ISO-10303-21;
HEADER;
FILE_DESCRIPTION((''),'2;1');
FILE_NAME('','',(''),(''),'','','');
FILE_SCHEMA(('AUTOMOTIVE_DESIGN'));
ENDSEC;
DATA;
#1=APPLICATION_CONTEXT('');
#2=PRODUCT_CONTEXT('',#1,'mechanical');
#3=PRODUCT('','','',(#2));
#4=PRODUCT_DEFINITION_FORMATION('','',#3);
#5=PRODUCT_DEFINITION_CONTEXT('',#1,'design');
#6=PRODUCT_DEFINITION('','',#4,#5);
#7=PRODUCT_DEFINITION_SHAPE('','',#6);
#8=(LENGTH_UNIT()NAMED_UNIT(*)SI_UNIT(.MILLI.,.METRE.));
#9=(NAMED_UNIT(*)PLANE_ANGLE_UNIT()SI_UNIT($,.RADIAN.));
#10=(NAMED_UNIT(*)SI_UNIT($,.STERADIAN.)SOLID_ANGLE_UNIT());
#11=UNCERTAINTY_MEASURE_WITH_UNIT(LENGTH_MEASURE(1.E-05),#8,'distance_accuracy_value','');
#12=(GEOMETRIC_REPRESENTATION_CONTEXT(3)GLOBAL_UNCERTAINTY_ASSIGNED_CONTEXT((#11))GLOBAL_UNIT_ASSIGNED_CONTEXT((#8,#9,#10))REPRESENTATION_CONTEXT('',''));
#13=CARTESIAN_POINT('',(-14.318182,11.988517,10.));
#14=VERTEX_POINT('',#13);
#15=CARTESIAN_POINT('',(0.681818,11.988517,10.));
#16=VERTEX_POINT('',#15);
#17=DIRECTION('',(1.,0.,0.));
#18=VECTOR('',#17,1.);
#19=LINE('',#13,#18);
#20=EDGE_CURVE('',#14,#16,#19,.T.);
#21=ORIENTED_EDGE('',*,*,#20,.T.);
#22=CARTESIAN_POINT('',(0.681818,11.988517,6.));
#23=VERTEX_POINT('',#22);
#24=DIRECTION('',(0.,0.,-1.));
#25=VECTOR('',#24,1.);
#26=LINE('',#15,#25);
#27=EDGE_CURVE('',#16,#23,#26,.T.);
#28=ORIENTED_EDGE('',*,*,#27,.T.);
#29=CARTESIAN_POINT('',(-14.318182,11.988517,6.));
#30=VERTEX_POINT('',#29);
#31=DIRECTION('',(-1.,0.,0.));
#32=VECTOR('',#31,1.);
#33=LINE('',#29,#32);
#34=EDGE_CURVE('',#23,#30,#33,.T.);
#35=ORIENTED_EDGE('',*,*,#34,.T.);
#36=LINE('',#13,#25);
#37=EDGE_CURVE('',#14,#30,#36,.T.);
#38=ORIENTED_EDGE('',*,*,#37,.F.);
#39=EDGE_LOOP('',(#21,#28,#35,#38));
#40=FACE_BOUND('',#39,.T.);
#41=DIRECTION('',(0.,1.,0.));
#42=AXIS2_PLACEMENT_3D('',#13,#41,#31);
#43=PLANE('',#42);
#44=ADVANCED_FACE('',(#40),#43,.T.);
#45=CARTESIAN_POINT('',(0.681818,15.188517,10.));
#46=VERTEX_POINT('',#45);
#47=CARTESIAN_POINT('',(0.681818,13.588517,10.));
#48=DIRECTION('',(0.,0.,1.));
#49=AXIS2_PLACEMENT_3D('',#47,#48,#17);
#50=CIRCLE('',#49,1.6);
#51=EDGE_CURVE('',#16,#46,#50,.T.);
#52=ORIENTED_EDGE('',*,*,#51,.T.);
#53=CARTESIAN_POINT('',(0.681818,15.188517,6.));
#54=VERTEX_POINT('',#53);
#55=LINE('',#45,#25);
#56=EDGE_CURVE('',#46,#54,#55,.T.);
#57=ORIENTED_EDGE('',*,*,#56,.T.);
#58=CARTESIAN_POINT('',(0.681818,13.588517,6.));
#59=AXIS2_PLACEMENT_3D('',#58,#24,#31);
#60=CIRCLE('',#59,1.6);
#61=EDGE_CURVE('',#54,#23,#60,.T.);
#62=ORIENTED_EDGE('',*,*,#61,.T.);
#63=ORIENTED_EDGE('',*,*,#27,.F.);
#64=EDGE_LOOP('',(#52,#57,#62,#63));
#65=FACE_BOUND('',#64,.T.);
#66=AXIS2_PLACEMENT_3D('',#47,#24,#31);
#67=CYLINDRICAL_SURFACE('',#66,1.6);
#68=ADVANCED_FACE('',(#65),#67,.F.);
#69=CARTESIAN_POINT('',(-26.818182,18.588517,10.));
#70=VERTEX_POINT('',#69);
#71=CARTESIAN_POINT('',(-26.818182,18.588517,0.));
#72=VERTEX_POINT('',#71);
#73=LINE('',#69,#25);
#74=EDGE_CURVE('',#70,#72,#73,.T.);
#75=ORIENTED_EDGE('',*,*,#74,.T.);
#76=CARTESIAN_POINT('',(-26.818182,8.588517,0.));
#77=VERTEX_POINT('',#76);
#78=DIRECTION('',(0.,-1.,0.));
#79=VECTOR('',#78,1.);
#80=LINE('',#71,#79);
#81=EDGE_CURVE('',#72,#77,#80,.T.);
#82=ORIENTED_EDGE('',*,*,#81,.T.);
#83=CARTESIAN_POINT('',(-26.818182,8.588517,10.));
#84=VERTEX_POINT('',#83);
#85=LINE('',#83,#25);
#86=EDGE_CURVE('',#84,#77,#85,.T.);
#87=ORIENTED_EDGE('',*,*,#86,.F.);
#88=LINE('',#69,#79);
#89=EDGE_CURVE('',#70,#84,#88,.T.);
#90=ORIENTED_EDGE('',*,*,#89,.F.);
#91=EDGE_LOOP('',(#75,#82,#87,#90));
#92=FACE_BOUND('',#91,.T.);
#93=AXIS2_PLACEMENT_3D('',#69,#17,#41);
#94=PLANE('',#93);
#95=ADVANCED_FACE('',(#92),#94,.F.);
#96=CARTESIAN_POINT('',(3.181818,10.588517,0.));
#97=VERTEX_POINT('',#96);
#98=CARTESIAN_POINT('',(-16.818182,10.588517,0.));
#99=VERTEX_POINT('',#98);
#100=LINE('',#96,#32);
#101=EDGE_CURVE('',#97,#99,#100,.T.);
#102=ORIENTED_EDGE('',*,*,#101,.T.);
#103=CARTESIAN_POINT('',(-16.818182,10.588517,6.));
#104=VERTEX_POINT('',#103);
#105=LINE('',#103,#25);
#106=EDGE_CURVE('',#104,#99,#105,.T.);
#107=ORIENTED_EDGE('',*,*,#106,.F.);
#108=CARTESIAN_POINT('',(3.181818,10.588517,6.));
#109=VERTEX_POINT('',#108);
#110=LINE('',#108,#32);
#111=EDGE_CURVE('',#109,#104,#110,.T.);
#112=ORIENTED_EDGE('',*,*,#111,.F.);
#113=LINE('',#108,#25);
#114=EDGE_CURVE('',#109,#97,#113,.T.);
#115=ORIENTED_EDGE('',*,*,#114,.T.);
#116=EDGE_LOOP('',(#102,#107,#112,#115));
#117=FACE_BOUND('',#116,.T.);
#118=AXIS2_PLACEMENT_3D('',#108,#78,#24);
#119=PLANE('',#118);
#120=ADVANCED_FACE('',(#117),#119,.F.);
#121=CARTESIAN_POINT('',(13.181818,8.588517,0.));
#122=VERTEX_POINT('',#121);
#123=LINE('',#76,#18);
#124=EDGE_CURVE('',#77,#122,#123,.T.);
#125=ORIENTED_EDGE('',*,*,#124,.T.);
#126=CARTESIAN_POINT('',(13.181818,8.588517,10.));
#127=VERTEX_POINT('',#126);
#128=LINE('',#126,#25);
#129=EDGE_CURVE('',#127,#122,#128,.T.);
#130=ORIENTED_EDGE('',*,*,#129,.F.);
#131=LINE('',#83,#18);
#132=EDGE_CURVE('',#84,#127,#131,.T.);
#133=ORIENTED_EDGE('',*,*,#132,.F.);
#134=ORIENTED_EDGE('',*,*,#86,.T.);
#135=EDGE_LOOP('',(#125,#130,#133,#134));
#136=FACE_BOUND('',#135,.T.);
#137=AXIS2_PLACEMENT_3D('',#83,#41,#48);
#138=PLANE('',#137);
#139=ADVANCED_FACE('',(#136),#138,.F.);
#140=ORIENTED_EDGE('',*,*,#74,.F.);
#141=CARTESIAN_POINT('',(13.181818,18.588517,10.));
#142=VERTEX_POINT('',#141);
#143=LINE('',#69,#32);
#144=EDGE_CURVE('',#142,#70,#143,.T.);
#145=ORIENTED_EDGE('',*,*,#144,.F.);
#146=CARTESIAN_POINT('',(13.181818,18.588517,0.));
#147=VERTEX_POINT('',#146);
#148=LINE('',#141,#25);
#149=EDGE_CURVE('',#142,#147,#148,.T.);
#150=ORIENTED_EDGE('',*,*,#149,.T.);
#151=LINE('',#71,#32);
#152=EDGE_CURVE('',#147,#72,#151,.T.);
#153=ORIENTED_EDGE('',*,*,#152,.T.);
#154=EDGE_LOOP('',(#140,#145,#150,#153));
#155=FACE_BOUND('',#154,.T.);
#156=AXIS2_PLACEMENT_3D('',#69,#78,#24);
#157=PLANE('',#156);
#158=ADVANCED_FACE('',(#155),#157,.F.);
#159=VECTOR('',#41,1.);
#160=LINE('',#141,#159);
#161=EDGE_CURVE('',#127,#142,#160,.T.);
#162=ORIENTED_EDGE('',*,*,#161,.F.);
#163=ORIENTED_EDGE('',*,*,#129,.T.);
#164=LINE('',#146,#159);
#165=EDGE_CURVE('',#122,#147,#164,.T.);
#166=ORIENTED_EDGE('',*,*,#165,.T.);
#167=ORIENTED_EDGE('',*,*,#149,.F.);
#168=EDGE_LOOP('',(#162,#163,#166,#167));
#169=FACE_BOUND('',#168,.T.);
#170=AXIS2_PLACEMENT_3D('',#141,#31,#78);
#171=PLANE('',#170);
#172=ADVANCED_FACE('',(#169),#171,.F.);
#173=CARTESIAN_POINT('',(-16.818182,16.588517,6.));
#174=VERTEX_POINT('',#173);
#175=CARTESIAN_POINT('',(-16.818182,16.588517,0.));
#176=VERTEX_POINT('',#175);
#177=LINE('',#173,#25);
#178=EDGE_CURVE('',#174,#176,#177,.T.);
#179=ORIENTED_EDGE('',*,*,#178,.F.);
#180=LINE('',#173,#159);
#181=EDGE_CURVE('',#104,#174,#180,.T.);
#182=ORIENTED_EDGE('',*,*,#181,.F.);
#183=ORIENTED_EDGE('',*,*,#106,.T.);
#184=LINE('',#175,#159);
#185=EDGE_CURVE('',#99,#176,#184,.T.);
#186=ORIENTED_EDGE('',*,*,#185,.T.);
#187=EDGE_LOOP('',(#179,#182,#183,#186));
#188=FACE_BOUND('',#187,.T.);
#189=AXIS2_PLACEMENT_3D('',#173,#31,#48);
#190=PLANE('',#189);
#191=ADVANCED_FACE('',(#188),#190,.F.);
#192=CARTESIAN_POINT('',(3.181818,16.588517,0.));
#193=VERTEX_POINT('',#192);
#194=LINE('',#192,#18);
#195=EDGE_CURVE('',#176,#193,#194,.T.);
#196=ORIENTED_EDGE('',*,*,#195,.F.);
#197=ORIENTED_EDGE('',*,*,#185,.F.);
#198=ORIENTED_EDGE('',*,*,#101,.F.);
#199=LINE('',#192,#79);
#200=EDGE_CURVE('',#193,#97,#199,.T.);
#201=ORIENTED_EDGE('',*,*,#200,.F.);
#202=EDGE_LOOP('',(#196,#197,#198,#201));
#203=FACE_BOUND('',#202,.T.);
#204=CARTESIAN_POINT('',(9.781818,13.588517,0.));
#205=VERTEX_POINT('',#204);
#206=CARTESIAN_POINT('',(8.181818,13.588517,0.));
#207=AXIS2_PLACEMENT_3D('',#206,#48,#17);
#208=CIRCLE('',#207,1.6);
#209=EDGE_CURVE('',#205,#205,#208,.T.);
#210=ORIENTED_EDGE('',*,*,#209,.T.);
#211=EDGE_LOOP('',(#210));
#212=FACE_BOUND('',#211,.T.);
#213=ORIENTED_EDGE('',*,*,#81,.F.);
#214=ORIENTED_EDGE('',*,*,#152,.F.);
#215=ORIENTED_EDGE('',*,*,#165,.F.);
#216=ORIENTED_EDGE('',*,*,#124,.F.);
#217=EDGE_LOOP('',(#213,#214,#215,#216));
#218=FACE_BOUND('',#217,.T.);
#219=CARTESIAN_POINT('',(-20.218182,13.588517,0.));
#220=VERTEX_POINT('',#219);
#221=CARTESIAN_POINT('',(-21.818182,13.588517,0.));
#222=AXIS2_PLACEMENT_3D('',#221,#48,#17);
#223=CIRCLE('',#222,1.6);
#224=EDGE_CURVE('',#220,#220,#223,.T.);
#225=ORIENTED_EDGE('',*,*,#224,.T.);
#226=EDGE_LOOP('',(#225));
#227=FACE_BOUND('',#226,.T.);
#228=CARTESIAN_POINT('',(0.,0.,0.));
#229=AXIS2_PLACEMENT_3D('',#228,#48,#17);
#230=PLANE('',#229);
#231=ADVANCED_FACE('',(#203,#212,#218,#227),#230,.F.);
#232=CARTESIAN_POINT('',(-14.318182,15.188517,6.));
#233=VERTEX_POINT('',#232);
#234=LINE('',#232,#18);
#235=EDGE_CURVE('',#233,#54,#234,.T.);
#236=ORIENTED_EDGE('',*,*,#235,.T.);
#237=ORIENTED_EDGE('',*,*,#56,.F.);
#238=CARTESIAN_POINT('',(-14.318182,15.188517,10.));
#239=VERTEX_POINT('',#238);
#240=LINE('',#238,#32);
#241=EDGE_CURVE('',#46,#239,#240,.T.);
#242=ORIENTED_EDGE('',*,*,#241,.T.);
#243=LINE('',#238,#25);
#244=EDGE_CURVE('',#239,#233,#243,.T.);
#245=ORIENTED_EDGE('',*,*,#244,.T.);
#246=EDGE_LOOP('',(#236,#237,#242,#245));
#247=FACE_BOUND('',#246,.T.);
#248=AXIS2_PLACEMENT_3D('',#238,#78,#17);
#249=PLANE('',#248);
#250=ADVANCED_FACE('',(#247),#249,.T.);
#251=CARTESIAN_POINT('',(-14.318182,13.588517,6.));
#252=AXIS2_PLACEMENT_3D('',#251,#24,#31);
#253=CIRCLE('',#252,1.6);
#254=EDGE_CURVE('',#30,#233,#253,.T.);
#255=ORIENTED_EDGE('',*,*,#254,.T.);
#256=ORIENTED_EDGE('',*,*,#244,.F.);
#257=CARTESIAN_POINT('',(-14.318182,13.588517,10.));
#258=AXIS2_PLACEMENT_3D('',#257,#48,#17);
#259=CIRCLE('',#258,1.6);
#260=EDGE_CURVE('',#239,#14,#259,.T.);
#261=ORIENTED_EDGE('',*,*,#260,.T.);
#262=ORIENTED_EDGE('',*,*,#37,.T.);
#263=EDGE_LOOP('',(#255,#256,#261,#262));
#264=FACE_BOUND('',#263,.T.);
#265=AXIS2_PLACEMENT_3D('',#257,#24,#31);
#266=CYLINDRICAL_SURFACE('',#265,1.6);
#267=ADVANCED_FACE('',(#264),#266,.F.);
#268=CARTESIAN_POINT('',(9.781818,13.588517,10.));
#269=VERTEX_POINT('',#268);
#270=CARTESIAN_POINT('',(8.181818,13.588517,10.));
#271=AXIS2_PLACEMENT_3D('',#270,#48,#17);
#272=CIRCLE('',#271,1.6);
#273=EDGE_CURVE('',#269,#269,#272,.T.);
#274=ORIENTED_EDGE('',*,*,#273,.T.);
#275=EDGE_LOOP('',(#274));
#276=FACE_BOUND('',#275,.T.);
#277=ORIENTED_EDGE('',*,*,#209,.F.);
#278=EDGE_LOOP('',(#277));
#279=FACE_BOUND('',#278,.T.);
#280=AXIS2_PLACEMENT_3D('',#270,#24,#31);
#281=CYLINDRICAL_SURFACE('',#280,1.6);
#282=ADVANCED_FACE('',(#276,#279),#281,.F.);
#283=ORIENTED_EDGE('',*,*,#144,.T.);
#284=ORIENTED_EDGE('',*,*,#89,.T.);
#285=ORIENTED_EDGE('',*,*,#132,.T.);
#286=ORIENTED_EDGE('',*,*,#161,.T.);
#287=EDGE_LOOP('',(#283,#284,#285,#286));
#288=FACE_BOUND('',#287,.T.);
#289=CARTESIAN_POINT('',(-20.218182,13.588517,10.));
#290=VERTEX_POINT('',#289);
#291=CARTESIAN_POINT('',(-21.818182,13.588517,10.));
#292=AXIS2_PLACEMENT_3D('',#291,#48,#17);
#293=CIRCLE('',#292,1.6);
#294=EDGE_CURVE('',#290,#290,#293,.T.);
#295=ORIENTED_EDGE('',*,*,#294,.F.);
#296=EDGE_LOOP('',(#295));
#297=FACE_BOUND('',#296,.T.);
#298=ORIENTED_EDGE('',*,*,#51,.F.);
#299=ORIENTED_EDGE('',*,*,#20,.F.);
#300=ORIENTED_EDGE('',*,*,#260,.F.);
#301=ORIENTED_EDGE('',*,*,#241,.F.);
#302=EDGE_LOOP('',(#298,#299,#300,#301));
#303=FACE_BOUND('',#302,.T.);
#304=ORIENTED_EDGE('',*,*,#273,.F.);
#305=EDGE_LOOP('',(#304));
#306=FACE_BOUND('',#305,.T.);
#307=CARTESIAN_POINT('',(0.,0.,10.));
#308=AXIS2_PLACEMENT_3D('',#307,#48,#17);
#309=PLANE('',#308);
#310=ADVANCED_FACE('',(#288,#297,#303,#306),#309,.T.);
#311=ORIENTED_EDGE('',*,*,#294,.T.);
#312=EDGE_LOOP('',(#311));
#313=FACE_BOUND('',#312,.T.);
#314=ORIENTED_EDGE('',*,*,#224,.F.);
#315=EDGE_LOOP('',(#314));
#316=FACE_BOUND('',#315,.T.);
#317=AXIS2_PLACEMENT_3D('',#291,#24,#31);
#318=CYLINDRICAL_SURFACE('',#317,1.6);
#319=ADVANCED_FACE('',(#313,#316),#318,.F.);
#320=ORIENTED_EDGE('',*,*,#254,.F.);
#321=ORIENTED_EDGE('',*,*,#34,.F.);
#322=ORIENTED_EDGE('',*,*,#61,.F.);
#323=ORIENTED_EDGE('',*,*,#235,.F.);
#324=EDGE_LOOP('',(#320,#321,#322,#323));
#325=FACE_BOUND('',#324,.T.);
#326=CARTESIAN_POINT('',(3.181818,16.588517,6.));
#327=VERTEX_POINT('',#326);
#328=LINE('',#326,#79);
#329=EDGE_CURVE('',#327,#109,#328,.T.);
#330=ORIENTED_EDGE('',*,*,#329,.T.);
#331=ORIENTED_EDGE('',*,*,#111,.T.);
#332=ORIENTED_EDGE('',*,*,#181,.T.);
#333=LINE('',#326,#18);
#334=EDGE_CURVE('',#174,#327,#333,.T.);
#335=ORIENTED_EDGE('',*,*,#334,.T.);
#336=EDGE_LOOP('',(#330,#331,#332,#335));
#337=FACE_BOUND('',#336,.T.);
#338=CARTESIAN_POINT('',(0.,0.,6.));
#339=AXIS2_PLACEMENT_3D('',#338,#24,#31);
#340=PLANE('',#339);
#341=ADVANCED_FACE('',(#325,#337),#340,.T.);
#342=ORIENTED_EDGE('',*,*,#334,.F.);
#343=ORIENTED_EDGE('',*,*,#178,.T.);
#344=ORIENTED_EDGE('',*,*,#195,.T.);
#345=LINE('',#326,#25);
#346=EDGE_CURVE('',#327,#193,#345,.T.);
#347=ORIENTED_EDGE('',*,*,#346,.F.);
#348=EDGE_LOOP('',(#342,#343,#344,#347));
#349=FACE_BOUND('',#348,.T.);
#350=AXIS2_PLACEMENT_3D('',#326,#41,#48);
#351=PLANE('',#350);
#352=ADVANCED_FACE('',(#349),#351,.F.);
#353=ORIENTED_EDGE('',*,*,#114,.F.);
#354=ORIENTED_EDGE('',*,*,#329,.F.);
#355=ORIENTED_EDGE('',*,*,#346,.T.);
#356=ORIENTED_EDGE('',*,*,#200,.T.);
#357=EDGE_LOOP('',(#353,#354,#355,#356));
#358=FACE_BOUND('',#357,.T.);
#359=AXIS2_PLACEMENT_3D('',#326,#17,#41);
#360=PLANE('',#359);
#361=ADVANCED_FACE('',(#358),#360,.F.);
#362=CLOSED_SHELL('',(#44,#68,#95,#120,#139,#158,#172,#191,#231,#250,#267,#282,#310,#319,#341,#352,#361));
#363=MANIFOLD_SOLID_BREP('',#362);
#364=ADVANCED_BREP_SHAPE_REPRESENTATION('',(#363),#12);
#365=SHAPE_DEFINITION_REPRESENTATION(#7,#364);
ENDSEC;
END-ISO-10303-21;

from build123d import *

# Parameters (mm, degrees)
SKETCH_1_W          = 40
SKETCH_1_H          = 10
SKETCH_1_R          = 1.6
EXTRUDE_1_DEPTH     = 10
SKETCH_2_W          = 20
SKETCH_2_H          = 6
CUT_EXTRUDE_1_DEPTH = 6


with BuildPart() as part:
    # 草图1 → 凸台-拉伸1 (new body)
    with BuildSketch(Plane.XY):
        with Locations((-6.818181818, 13.588516746)):
            Rectangle(SKETCH_1_W, SKETCH_1_H)
        with Locations((-21.818181818, 13.588516746)):
            Circle(SKETCH_1_R, mode=Mode.SUBTRACT)
        with Locations((8.181818182, 13.588516746)):
            Circle(SKETCH_1_R, mode=Mode.SUBTRACT)
        with BuildLine():
            Line((-14.318181818, 15.188516746), (0.681818182, 15.188516746))
            ThreePointArc((0.681818182, 15.188516746), (2.281818182, 13.588516746), (0.681818182, 11.988516746))
            Line((0.681818182, 11.988516746), (-14.318181818, 11.988516746))
            ThreePointArc((-14.318181818, 11.988516746), (-15.918181818, 13.588516746), (-14.318181818, 15.188516746))
        make_face(mode=Mode.SUBTRACT)
    extrude(amount=EXTRUDE_1_DEPTH)

    # 草图2 → 切除-拉伸1 (cut)
    with BuildSketch(Plane(origin=(0, 0, 0), x_dir=(-1, 0, 0), z_dir=(0, 0, -1))):
        with Locations((6.818181818, 13.588516746)):
            Rectangle(SKETCH_2_W, SKETCH_2_H)
    extrude(amount=-CUT_EXTRUDE_1_DEPTH, mode=Mode.SUBTRACT)


solid = part.part
